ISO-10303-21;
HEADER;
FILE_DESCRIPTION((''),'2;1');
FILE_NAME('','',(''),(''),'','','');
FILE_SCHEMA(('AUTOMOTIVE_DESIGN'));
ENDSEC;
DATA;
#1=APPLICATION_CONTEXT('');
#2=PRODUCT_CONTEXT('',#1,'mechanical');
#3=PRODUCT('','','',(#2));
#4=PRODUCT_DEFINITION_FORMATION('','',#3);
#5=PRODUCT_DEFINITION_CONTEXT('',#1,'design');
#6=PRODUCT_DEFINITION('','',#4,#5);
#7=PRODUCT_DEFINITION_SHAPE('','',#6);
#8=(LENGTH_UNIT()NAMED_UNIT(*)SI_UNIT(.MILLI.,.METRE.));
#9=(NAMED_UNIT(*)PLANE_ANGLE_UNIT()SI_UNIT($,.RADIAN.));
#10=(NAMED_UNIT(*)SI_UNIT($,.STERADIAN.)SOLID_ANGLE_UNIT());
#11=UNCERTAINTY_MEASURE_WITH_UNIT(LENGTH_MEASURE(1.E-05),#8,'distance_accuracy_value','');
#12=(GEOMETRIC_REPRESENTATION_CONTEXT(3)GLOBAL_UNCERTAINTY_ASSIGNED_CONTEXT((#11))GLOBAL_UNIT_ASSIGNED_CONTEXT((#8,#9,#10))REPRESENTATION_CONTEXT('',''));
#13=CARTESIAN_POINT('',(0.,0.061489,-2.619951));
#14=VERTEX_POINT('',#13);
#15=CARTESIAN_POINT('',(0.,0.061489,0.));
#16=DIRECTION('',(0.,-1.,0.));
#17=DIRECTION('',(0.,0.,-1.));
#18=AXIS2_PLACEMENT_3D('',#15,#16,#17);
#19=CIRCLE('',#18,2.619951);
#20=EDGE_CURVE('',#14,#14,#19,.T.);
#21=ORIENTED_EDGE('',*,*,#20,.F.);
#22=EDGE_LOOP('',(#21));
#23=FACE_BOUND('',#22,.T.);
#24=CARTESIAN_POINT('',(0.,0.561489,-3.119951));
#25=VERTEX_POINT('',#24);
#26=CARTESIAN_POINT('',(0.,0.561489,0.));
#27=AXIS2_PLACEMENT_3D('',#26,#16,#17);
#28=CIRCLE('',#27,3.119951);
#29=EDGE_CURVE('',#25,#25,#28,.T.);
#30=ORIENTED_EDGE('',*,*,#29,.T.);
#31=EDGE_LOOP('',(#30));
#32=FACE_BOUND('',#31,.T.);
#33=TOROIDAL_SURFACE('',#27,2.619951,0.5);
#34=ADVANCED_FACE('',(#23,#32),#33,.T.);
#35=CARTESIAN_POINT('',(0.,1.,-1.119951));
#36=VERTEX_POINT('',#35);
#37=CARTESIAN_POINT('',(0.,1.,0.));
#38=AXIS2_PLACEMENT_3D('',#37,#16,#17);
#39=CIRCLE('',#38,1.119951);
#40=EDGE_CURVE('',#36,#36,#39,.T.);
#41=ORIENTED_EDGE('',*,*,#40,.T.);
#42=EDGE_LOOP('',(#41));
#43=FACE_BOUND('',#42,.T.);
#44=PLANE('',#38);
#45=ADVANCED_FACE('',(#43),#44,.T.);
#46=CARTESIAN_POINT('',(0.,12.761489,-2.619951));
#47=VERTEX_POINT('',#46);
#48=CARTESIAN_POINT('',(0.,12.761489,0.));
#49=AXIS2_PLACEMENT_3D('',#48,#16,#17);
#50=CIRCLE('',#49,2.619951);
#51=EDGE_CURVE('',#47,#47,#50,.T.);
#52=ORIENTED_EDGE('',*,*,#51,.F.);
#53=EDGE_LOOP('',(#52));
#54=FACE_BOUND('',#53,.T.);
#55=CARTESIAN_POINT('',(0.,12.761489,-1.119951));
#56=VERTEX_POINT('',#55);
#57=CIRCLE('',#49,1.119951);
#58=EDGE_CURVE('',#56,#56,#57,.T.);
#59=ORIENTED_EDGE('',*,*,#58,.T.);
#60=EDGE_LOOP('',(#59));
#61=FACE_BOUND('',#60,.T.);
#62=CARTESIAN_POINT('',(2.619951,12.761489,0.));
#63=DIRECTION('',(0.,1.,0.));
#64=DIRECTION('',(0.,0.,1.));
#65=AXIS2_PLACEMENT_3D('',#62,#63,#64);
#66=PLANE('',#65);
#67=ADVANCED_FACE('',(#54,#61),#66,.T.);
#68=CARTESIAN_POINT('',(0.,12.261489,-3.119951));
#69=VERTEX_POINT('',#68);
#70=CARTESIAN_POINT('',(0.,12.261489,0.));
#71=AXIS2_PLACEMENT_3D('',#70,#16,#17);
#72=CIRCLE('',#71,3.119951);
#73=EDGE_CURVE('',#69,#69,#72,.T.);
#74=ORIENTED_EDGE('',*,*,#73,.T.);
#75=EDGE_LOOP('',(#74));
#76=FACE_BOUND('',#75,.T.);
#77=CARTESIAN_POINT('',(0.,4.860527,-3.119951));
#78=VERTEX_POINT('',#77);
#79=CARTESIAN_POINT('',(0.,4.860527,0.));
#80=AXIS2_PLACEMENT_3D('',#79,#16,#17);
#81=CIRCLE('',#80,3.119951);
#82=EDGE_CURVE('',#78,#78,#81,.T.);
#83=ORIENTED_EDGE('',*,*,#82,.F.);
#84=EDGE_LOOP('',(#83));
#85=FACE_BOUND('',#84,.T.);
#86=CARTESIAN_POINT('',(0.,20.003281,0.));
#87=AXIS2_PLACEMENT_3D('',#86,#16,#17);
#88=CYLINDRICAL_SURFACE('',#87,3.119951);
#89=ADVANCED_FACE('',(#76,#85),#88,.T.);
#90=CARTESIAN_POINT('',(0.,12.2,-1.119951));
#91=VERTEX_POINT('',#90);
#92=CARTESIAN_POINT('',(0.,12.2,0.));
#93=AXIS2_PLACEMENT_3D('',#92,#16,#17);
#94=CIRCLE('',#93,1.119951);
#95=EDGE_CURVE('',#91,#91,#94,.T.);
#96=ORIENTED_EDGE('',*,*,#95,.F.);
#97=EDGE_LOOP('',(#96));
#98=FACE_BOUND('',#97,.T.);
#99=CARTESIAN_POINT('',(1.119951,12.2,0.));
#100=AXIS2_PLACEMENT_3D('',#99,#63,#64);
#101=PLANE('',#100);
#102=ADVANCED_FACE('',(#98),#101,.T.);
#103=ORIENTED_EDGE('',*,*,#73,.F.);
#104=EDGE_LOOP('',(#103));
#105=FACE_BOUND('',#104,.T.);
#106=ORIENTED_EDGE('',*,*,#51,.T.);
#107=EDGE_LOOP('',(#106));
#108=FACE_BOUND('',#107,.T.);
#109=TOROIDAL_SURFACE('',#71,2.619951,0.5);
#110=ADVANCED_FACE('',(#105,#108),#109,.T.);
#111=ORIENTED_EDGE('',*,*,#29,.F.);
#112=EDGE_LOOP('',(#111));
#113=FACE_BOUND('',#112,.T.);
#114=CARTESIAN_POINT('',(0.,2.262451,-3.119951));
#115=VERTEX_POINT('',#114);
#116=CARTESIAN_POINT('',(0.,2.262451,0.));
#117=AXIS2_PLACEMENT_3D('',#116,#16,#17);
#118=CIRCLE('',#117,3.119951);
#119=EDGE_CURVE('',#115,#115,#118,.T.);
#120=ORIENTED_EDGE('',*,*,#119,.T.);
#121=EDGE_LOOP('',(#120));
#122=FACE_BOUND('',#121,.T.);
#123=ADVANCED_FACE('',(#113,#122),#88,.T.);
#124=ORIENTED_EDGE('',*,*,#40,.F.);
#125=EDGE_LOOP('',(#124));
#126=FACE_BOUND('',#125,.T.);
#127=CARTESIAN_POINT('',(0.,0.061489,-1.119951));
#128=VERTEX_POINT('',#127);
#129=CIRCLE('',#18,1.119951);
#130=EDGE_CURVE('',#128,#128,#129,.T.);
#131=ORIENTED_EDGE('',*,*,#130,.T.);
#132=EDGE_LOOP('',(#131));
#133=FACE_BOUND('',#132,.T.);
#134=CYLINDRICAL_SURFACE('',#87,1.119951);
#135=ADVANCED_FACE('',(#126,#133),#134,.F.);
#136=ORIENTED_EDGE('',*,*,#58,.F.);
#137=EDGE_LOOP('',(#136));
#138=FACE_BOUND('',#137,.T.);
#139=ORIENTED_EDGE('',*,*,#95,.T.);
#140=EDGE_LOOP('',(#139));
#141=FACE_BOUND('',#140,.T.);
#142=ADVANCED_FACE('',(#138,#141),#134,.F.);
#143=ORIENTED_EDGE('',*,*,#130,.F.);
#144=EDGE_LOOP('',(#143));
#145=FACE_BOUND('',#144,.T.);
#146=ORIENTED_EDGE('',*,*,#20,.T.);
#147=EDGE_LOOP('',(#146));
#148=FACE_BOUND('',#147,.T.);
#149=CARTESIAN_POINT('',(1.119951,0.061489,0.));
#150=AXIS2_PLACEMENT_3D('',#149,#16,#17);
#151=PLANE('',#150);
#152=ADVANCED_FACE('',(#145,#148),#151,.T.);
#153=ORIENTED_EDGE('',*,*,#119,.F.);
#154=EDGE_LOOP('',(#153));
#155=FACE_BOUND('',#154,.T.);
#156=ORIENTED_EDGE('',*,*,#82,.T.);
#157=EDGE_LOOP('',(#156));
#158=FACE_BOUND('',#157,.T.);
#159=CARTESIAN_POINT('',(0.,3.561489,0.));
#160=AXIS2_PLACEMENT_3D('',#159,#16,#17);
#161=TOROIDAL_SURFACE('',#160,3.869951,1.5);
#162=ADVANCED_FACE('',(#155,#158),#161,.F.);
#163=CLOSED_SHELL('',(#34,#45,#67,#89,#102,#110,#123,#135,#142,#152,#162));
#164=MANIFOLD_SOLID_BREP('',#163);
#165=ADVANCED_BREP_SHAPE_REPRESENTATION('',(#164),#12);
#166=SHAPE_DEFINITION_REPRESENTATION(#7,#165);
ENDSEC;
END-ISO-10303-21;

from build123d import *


with BuildPart() as part:
    # Sketch1 → Revolve1 (revolve)
    with BuildSketch(Plane.XY, mode=Mode.PRIVATE) as revolve1_sk:
        with BuildLine():
            Line((1.119951293, 12.2), (0, 12.2))
            Line((0, 12.2), (0, 1))
            Line((0, 1), (1.119951293, 1))
            Line((1.119951293, 1), (1.119951293, 0.061488909))
            Line((1.119951293, 0.061488909), (2.619951293, 0.061488909))
            ThreePointArc((2.619951293, 0.061488909), (2.973504683, 0.207935519), (3.119951293, 0.561488909))
            Line((3.119951293, 0.561488909), (3.119951293, 2.262450804))
            ThreePointArc((3.119951293, 2.262450804), (2.369951293, 3.561488909), (3.119951293, 4.860527015))
            Line((3.119951293, 4.860527015), (3.119951293, 12.261488905))
            ThreePointArc((3.119951293, 12.261488905), (2.973504683, 12.615042295), (2.619951293, 12.761488905))
            Line((2.619951293, 12.761488905), (1.119951293, 12.761488905))
            Line((1.119951293, 12.761488905), (1.119951293, 12.2))
        make_face()
    revolve(revolve1_sk.sketch.rotate(Axis((0, 20.003281327, 0), (0, -1, 0)), 270), axis=Axis((0, 20.003281327, 0), (0, -1, 0)))


solid = part.part
